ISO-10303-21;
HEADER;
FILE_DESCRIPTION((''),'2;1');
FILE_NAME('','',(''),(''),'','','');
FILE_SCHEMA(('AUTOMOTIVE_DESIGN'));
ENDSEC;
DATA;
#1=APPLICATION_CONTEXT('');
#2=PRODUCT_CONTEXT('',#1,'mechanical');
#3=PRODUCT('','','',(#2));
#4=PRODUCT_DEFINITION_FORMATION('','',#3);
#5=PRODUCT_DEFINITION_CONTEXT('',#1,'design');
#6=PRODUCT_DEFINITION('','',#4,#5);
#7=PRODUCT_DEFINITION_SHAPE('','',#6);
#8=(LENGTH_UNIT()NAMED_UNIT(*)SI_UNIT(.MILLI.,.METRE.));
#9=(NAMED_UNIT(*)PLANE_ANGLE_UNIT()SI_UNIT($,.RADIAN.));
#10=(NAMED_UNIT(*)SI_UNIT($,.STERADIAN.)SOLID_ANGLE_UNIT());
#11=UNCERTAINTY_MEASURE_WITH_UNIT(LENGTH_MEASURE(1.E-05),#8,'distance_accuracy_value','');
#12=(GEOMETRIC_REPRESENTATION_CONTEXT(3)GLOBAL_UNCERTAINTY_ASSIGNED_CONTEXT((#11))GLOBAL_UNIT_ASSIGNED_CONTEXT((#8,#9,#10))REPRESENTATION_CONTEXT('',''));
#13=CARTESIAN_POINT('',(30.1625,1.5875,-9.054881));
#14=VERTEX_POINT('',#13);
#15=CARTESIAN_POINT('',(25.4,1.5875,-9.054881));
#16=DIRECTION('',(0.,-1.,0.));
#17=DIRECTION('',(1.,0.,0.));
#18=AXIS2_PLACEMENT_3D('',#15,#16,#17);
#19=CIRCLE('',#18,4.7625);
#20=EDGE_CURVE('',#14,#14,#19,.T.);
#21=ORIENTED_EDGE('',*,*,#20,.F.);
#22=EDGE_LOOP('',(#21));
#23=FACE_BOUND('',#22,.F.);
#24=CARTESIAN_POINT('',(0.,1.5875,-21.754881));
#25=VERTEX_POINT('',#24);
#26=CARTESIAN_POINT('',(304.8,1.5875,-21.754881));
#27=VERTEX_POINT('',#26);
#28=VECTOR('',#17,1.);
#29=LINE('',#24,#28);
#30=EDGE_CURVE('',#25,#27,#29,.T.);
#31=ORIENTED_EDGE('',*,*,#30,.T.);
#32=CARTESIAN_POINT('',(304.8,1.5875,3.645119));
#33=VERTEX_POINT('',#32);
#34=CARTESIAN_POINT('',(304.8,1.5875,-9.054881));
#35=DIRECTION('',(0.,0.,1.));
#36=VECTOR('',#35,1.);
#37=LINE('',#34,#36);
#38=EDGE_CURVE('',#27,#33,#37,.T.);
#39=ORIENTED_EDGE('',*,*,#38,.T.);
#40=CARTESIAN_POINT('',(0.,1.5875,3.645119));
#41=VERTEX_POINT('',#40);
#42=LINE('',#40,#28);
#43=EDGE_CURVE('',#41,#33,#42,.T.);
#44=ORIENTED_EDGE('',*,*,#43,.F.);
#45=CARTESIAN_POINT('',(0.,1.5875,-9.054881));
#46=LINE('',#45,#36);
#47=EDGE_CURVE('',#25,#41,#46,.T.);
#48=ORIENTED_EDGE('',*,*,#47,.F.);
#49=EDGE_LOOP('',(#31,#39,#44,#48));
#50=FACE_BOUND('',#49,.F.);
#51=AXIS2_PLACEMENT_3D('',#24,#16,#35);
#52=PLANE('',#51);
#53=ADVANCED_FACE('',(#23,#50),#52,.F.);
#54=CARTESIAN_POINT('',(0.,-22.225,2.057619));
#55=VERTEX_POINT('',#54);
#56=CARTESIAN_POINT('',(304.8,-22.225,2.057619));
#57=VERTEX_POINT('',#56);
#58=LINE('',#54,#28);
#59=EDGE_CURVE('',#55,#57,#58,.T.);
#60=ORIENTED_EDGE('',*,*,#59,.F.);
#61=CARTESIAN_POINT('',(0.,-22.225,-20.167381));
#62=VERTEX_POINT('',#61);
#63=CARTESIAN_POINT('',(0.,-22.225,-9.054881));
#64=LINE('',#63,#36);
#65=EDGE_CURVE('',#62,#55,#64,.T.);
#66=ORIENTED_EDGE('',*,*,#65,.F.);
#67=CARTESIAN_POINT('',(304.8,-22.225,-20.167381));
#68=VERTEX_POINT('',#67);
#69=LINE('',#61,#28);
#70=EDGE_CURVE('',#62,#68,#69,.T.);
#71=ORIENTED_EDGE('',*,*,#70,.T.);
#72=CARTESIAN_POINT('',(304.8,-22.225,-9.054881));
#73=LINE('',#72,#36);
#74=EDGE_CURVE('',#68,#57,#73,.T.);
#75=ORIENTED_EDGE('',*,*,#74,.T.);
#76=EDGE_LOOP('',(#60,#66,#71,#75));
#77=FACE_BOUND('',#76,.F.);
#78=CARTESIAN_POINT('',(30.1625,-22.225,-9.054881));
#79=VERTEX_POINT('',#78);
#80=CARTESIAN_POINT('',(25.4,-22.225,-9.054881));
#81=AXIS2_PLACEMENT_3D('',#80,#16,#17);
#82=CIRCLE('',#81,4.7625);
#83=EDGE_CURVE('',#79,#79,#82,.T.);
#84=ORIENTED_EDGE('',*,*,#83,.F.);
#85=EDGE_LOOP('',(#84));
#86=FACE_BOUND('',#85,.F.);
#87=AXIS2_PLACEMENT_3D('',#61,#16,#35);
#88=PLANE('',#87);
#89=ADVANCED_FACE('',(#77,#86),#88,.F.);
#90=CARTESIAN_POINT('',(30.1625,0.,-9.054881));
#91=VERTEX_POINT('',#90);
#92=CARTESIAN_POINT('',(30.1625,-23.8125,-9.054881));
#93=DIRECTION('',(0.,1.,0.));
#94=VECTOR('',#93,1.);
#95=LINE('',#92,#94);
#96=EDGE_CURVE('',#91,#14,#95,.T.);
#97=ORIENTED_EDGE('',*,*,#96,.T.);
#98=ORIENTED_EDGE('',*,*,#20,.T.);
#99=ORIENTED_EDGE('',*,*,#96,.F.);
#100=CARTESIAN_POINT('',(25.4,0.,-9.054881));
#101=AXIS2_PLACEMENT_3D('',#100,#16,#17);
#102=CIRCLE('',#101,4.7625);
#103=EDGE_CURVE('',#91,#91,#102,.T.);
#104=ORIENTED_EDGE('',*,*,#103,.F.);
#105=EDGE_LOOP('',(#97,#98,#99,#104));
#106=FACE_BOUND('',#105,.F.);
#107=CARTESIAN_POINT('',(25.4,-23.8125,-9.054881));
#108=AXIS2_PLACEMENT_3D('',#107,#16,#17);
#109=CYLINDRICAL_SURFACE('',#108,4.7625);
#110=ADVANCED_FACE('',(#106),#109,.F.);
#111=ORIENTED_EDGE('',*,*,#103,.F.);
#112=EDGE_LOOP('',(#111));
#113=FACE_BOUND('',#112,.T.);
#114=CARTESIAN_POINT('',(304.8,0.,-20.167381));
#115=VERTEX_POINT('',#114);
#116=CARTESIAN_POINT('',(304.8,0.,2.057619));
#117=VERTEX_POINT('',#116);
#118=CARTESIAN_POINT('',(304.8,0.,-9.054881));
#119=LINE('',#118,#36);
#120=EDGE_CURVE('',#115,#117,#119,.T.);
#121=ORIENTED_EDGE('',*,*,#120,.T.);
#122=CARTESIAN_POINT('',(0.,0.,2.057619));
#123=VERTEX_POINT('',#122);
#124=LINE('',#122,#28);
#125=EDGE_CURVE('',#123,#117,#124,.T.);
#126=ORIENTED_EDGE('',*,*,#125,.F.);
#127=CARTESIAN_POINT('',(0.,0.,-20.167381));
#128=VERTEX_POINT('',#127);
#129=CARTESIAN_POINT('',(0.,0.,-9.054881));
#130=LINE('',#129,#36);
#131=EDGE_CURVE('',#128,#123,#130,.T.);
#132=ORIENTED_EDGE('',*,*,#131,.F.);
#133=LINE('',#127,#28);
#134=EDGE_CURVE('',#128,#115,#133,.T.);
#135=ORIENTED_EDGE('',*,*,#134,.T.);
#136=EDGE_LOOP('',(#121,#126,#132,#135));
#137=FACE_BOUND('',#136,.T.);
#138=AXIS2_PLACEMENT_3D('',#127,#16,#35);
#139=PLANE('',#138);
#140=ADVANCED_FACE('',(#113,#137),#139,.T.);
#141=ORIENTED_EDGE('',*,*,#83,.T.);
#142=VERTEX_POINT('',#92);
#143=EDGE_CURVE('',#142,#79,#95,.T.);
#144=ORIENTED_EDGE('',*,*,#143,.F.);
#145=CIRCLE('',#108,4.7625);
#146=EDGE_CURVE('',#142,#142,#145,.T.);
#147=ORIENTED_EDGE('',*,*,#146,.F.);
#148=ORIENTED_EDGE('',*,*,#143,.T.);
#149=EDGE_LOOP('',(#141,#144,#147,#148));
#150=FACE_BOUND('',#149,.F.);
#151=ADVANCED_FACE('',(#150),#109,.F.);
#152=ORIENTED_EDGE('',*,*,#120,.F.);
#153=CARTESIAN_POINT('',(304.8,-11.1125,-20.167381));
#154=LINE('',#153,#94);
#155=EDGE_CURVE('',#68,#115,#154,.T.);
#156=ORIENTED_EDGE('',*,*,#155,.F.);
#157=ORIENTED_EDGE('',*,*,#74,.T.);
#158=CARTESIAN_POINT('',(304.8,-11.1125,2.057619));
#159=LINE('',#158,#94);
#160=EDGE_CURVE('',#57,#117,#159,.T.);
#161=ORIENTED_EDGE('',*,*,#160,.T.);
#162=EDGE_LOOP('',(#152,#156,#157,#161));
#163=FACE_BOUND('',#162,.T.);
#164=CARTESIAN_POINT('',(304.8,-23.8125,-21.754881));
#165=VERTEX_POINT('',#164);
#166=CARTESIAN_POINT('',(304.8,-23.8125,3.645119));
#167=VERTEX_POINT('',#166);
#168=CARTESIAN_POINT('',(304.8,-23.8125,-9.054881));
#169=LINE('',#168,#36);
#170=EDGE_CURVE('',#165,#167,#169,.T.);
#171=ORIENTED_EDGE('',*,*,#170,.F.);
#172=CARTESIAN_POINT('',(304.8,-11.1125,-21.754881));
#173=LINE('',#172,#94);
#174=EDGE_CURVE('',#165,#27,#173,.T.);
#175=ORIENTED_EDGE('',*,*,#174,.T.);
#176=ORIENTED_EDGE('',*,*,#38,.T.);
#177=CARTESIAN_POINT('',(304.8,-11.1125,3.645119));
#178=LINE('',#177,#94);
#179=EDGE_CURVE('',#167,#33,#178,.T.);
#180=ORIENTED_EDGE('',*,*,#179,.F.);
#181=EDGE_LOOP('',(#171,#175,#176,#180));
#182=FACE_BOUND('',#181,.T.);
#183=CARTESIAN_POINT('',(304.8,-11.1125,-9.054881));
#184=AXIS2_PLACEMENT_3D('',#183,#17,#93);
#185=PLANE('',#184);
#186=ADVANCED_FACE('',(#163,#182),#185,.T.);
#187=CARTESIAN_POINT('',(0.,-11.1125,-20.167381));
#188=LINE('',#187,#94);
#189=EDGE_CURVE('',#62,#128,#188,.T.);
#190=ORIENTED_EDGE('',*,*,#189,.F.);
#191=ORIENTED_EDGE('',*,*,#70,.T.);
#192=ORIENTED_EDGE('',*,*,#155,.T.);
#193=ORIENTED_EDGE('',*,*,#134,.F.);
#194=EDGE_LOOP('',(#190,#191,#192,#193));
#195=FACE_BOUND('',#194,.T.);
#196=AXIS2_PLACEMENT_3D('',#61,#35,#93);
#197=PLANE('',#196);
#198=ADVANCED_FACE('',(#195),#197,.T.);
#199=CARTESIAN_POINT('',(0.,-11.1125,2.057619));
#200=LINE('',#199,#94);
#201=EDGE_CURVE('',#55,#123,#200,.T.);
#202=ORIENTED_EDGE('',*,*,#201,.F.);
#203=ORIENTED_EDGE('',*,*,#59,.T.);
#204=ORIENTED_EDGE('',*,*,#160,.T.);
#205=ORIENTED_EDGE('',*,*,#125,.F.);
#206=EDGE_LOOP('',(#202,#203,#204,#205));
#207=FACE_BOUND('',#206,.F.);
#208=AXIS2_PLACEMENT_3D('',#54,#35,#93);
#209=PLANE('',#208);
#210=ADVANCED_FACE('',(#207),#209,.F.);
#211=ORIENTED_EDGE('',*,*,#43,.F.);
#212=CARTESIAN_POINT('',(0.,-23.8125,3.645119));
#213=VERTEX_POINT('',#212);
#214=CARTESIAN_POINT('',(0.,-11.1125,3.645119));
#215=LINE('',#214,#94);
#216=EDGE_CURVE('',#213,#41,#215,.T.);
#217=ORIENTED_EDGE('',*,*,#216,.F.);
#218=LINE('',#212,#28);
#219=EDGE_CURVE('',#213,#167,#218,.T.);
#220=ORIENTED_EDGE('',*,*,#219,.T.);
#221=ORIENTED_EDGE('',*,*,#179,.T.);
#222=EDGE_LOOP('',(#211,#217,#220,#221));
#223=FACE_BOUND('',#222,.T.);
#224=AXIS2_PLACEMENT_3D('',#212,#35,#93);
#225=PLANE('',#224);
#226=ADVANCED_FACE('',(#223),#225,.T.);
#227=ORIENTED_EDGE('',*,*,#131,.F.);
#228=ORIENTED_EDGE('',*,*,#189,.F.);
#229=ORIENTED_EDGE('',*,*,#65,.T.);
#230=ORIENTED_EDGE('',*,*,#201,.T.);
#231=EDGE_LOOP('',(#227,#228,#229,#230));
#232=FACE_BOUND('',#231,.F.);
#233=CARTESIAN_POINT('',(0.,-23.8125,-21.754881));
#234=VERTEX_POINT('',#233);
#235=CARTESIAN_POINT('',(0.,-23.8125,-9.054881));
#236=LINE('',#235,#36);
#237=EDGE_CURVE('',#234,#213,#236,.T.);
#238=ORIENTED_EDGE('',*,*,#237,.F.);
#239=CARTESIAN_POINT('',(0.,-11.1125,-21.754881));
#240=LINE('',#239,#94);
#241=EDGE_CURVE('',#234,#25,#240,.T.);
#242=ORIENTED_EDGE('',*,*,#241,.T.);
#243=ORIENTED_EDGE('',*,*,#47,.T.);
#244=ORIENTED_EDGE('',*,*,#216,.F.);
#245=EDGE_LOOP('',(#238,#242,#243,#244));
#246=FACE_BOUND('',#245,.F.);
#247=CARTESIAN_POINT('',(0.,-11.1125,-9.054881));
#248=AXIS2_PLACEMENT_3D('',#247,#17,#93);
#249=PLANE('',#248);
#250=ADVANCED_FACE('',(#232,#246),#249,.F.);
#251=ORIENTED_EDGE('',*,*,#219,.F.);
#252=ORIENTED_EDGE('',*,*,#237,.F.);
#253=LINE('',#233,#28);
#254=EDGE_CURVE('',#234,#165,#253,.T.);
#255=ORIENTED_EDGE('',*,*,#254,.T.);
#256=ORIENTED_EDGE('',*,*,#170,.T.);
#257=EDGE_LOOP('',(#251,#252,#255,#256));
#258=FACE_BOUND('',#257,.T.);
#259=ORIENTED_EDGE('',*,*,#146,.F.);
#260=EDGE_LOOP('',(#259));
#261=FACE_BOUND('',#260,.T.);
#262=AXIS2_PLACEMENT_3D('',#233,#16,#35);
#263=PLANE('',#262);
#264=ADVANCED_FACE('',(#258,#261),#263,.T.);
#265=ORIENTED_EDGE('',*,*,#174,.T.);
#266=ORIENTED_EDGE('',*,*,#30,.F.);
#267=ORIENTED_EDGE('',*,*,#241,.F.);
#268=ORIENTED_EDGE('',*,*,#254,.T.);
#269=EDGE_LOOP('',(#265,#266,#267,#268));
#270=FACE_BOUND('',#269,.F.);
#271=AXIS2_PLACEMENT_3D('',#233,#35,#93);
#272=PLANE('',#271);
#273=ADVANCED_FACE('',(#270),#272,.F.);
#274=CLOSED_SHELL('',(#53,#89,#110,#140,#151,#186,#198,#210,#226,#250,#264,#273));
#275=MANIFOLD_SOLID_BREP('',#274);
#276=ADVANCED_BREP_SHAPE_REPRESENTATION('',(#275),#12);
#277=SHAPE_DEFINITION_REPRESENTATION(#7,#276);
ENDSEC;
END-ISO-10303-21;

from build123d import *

# Parameters (mm, degrees)
F0_W     = 25.4
F0_H     = 25.4
F0_W_2   = 22.225
F0_H_2   = 22.225
F1_DEPTH = 304.8
F2_R     = 4.7625
F3_DEPTH = 25.4


with BuildPart() as f1:
    # F0 (on Right) → F1 (new body)
    with BuildSketch(Plane.YZ):
        with Locations((-11.1125, -9.054881)):
            Rectangle(F0_W, F0_H)
        with Locations((-11.1125, -9.054881)):
            Rectangle(F0_W_2, F0_H_2, mode=Mode.SUBTRACT)
    extrude(amount=F1_DEPTH)

    # F2 (on face) → F3 (cut)
    with BuildSketch(Plane.XZ.offset(23.8125)):
        with Locations((25.4, -9.054881)):
            Circle(F2_R)
    extrude(amount=-F3_DEPTH, mode=Mode.SUBTRACT)


solid = f1.part
